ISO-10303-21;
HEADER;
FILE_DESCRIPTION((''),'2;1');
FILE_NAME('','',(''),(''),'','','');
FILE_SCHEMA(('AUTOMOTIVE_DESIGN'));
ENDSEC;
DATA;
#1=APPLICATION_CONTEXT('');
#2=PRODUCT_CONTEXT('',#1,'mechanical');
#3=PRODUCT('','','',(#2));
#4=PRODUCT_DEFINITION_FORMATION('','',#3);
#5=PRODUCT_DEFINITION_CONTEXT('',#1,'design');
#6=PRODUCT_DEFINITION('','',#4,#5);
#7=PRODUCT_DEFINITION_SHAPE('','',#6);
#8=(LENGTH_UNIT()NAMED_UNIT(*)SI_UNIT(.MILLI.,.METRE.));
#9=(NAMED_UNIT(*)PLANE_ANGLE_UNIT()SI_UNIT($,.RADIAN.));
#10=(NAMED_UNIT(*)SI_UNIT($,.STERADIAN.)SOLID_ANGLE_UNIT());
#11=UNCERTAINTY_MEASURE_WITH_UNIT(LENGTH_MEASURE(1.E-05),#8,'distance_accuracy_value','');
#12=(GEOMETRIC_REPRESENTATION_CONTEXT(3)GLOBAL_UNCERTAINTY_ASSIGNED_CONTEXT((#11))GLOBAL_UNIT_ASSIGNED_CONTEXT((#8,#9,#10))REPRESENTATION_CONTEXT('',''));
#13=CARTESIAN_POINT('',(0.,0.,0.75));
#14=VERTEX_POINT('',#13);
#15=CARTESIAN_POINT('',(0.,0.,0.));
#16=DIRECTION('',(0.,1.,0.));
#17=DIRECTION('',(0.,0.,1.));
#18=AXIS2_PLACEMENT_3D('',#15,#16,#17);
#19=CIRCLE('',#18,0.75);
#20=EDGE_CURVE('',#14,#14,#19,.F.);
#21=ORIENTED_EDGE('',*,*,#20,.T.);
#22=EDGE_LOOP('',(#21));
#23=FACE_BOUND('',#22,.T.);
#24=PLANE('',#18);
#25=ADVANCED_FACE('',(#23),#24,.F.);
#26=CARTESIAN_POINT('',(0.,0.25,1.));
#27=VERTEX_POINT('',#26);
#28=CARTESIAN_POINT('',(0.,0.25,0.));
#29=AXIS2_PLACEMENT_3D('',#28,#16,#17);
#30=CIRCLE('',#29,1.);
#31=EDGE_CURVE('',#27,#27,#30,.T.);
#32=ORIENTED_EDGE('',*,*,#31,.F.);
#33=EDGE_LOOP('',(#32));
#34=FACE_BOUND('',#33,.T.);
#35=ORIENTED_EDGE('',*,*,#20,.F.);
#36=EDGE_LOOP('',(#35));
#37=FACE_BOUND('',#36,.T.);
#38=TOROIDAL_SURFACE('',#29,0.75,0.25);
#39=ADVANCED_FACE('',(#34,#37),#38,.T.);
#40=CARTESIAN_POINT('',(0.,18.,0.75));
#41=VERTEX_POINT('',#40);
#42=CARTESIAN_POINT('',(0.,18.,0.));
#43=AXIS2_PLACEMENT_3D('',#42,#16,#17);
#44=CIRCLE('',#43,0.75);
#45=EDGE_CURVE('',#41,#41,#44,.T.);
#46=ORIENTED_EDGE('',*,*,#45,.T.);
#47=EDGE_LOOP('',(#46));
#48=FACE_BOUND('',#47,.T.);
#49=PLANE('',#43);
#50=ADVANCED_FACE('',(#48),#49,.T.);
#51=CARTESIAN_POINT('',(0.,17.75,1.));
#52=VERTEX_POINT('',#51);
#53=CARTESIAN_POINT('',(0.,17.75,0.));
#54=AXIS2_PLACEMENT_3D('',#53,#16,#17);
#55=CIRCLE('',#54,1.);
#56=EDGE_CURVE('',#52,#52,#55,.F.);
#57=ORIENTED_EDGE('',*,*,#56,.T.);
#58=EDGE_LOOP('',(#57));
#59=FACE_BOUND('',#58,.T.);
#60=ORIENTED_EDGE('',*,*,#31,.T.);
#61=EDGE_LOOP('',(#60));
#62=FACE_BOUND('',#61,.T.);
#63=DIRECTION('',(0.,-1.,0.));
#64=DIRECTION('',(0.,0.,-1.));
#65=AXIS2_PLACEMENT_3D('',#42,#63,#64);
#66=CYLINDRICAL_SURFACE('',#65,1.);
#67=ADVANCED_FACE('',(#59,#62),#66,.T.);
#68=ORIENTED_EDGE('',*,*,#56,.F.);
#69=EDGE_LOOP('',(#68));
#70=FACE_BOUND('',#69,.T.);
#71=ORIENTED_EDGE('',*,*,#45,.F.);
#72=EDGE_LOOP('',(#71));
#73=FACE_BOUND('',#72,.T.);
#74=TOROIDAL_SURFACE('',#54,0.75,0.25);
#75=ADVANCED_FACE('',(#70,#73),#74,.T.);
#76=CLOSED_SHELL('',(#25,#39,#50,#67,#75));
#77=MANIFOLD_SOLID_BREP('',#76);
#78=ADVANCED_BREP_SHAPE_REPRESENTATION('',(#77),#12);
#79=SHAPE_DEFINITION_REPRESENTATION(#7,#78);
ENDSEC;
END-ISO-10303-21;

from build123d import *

# Parameters (mm, degrees)
ESQUISSE1_R        = 1
BOSS_EXTRU_1_DEPTH = 18
CONG_1_R           = 0.25


with BuildPart() as part:
    # Esquisse1 → Boss.-Extru.1 (new body)
    with BuildSketch(Plane(origin=(0, 0, 0), x_dir=(1, 0, 0), z_dir=(0, 1, 0))):
        with Locations(Location((0, 0, 0), (0, 0, 270))):
            Circle(ESQUISSE1_R)
    extrude(amount=BOSS_EXTRU_1_DEPTH)

    # Congé1
    cong_1_edges = [part.edges().sort_by_distance(p)[0] for p in [
        (0, 0, -1),
        (0, 18, -1),
    ]]
    fillet(cong_1_edges, radius=CONG_1_R)


solid = part.part
